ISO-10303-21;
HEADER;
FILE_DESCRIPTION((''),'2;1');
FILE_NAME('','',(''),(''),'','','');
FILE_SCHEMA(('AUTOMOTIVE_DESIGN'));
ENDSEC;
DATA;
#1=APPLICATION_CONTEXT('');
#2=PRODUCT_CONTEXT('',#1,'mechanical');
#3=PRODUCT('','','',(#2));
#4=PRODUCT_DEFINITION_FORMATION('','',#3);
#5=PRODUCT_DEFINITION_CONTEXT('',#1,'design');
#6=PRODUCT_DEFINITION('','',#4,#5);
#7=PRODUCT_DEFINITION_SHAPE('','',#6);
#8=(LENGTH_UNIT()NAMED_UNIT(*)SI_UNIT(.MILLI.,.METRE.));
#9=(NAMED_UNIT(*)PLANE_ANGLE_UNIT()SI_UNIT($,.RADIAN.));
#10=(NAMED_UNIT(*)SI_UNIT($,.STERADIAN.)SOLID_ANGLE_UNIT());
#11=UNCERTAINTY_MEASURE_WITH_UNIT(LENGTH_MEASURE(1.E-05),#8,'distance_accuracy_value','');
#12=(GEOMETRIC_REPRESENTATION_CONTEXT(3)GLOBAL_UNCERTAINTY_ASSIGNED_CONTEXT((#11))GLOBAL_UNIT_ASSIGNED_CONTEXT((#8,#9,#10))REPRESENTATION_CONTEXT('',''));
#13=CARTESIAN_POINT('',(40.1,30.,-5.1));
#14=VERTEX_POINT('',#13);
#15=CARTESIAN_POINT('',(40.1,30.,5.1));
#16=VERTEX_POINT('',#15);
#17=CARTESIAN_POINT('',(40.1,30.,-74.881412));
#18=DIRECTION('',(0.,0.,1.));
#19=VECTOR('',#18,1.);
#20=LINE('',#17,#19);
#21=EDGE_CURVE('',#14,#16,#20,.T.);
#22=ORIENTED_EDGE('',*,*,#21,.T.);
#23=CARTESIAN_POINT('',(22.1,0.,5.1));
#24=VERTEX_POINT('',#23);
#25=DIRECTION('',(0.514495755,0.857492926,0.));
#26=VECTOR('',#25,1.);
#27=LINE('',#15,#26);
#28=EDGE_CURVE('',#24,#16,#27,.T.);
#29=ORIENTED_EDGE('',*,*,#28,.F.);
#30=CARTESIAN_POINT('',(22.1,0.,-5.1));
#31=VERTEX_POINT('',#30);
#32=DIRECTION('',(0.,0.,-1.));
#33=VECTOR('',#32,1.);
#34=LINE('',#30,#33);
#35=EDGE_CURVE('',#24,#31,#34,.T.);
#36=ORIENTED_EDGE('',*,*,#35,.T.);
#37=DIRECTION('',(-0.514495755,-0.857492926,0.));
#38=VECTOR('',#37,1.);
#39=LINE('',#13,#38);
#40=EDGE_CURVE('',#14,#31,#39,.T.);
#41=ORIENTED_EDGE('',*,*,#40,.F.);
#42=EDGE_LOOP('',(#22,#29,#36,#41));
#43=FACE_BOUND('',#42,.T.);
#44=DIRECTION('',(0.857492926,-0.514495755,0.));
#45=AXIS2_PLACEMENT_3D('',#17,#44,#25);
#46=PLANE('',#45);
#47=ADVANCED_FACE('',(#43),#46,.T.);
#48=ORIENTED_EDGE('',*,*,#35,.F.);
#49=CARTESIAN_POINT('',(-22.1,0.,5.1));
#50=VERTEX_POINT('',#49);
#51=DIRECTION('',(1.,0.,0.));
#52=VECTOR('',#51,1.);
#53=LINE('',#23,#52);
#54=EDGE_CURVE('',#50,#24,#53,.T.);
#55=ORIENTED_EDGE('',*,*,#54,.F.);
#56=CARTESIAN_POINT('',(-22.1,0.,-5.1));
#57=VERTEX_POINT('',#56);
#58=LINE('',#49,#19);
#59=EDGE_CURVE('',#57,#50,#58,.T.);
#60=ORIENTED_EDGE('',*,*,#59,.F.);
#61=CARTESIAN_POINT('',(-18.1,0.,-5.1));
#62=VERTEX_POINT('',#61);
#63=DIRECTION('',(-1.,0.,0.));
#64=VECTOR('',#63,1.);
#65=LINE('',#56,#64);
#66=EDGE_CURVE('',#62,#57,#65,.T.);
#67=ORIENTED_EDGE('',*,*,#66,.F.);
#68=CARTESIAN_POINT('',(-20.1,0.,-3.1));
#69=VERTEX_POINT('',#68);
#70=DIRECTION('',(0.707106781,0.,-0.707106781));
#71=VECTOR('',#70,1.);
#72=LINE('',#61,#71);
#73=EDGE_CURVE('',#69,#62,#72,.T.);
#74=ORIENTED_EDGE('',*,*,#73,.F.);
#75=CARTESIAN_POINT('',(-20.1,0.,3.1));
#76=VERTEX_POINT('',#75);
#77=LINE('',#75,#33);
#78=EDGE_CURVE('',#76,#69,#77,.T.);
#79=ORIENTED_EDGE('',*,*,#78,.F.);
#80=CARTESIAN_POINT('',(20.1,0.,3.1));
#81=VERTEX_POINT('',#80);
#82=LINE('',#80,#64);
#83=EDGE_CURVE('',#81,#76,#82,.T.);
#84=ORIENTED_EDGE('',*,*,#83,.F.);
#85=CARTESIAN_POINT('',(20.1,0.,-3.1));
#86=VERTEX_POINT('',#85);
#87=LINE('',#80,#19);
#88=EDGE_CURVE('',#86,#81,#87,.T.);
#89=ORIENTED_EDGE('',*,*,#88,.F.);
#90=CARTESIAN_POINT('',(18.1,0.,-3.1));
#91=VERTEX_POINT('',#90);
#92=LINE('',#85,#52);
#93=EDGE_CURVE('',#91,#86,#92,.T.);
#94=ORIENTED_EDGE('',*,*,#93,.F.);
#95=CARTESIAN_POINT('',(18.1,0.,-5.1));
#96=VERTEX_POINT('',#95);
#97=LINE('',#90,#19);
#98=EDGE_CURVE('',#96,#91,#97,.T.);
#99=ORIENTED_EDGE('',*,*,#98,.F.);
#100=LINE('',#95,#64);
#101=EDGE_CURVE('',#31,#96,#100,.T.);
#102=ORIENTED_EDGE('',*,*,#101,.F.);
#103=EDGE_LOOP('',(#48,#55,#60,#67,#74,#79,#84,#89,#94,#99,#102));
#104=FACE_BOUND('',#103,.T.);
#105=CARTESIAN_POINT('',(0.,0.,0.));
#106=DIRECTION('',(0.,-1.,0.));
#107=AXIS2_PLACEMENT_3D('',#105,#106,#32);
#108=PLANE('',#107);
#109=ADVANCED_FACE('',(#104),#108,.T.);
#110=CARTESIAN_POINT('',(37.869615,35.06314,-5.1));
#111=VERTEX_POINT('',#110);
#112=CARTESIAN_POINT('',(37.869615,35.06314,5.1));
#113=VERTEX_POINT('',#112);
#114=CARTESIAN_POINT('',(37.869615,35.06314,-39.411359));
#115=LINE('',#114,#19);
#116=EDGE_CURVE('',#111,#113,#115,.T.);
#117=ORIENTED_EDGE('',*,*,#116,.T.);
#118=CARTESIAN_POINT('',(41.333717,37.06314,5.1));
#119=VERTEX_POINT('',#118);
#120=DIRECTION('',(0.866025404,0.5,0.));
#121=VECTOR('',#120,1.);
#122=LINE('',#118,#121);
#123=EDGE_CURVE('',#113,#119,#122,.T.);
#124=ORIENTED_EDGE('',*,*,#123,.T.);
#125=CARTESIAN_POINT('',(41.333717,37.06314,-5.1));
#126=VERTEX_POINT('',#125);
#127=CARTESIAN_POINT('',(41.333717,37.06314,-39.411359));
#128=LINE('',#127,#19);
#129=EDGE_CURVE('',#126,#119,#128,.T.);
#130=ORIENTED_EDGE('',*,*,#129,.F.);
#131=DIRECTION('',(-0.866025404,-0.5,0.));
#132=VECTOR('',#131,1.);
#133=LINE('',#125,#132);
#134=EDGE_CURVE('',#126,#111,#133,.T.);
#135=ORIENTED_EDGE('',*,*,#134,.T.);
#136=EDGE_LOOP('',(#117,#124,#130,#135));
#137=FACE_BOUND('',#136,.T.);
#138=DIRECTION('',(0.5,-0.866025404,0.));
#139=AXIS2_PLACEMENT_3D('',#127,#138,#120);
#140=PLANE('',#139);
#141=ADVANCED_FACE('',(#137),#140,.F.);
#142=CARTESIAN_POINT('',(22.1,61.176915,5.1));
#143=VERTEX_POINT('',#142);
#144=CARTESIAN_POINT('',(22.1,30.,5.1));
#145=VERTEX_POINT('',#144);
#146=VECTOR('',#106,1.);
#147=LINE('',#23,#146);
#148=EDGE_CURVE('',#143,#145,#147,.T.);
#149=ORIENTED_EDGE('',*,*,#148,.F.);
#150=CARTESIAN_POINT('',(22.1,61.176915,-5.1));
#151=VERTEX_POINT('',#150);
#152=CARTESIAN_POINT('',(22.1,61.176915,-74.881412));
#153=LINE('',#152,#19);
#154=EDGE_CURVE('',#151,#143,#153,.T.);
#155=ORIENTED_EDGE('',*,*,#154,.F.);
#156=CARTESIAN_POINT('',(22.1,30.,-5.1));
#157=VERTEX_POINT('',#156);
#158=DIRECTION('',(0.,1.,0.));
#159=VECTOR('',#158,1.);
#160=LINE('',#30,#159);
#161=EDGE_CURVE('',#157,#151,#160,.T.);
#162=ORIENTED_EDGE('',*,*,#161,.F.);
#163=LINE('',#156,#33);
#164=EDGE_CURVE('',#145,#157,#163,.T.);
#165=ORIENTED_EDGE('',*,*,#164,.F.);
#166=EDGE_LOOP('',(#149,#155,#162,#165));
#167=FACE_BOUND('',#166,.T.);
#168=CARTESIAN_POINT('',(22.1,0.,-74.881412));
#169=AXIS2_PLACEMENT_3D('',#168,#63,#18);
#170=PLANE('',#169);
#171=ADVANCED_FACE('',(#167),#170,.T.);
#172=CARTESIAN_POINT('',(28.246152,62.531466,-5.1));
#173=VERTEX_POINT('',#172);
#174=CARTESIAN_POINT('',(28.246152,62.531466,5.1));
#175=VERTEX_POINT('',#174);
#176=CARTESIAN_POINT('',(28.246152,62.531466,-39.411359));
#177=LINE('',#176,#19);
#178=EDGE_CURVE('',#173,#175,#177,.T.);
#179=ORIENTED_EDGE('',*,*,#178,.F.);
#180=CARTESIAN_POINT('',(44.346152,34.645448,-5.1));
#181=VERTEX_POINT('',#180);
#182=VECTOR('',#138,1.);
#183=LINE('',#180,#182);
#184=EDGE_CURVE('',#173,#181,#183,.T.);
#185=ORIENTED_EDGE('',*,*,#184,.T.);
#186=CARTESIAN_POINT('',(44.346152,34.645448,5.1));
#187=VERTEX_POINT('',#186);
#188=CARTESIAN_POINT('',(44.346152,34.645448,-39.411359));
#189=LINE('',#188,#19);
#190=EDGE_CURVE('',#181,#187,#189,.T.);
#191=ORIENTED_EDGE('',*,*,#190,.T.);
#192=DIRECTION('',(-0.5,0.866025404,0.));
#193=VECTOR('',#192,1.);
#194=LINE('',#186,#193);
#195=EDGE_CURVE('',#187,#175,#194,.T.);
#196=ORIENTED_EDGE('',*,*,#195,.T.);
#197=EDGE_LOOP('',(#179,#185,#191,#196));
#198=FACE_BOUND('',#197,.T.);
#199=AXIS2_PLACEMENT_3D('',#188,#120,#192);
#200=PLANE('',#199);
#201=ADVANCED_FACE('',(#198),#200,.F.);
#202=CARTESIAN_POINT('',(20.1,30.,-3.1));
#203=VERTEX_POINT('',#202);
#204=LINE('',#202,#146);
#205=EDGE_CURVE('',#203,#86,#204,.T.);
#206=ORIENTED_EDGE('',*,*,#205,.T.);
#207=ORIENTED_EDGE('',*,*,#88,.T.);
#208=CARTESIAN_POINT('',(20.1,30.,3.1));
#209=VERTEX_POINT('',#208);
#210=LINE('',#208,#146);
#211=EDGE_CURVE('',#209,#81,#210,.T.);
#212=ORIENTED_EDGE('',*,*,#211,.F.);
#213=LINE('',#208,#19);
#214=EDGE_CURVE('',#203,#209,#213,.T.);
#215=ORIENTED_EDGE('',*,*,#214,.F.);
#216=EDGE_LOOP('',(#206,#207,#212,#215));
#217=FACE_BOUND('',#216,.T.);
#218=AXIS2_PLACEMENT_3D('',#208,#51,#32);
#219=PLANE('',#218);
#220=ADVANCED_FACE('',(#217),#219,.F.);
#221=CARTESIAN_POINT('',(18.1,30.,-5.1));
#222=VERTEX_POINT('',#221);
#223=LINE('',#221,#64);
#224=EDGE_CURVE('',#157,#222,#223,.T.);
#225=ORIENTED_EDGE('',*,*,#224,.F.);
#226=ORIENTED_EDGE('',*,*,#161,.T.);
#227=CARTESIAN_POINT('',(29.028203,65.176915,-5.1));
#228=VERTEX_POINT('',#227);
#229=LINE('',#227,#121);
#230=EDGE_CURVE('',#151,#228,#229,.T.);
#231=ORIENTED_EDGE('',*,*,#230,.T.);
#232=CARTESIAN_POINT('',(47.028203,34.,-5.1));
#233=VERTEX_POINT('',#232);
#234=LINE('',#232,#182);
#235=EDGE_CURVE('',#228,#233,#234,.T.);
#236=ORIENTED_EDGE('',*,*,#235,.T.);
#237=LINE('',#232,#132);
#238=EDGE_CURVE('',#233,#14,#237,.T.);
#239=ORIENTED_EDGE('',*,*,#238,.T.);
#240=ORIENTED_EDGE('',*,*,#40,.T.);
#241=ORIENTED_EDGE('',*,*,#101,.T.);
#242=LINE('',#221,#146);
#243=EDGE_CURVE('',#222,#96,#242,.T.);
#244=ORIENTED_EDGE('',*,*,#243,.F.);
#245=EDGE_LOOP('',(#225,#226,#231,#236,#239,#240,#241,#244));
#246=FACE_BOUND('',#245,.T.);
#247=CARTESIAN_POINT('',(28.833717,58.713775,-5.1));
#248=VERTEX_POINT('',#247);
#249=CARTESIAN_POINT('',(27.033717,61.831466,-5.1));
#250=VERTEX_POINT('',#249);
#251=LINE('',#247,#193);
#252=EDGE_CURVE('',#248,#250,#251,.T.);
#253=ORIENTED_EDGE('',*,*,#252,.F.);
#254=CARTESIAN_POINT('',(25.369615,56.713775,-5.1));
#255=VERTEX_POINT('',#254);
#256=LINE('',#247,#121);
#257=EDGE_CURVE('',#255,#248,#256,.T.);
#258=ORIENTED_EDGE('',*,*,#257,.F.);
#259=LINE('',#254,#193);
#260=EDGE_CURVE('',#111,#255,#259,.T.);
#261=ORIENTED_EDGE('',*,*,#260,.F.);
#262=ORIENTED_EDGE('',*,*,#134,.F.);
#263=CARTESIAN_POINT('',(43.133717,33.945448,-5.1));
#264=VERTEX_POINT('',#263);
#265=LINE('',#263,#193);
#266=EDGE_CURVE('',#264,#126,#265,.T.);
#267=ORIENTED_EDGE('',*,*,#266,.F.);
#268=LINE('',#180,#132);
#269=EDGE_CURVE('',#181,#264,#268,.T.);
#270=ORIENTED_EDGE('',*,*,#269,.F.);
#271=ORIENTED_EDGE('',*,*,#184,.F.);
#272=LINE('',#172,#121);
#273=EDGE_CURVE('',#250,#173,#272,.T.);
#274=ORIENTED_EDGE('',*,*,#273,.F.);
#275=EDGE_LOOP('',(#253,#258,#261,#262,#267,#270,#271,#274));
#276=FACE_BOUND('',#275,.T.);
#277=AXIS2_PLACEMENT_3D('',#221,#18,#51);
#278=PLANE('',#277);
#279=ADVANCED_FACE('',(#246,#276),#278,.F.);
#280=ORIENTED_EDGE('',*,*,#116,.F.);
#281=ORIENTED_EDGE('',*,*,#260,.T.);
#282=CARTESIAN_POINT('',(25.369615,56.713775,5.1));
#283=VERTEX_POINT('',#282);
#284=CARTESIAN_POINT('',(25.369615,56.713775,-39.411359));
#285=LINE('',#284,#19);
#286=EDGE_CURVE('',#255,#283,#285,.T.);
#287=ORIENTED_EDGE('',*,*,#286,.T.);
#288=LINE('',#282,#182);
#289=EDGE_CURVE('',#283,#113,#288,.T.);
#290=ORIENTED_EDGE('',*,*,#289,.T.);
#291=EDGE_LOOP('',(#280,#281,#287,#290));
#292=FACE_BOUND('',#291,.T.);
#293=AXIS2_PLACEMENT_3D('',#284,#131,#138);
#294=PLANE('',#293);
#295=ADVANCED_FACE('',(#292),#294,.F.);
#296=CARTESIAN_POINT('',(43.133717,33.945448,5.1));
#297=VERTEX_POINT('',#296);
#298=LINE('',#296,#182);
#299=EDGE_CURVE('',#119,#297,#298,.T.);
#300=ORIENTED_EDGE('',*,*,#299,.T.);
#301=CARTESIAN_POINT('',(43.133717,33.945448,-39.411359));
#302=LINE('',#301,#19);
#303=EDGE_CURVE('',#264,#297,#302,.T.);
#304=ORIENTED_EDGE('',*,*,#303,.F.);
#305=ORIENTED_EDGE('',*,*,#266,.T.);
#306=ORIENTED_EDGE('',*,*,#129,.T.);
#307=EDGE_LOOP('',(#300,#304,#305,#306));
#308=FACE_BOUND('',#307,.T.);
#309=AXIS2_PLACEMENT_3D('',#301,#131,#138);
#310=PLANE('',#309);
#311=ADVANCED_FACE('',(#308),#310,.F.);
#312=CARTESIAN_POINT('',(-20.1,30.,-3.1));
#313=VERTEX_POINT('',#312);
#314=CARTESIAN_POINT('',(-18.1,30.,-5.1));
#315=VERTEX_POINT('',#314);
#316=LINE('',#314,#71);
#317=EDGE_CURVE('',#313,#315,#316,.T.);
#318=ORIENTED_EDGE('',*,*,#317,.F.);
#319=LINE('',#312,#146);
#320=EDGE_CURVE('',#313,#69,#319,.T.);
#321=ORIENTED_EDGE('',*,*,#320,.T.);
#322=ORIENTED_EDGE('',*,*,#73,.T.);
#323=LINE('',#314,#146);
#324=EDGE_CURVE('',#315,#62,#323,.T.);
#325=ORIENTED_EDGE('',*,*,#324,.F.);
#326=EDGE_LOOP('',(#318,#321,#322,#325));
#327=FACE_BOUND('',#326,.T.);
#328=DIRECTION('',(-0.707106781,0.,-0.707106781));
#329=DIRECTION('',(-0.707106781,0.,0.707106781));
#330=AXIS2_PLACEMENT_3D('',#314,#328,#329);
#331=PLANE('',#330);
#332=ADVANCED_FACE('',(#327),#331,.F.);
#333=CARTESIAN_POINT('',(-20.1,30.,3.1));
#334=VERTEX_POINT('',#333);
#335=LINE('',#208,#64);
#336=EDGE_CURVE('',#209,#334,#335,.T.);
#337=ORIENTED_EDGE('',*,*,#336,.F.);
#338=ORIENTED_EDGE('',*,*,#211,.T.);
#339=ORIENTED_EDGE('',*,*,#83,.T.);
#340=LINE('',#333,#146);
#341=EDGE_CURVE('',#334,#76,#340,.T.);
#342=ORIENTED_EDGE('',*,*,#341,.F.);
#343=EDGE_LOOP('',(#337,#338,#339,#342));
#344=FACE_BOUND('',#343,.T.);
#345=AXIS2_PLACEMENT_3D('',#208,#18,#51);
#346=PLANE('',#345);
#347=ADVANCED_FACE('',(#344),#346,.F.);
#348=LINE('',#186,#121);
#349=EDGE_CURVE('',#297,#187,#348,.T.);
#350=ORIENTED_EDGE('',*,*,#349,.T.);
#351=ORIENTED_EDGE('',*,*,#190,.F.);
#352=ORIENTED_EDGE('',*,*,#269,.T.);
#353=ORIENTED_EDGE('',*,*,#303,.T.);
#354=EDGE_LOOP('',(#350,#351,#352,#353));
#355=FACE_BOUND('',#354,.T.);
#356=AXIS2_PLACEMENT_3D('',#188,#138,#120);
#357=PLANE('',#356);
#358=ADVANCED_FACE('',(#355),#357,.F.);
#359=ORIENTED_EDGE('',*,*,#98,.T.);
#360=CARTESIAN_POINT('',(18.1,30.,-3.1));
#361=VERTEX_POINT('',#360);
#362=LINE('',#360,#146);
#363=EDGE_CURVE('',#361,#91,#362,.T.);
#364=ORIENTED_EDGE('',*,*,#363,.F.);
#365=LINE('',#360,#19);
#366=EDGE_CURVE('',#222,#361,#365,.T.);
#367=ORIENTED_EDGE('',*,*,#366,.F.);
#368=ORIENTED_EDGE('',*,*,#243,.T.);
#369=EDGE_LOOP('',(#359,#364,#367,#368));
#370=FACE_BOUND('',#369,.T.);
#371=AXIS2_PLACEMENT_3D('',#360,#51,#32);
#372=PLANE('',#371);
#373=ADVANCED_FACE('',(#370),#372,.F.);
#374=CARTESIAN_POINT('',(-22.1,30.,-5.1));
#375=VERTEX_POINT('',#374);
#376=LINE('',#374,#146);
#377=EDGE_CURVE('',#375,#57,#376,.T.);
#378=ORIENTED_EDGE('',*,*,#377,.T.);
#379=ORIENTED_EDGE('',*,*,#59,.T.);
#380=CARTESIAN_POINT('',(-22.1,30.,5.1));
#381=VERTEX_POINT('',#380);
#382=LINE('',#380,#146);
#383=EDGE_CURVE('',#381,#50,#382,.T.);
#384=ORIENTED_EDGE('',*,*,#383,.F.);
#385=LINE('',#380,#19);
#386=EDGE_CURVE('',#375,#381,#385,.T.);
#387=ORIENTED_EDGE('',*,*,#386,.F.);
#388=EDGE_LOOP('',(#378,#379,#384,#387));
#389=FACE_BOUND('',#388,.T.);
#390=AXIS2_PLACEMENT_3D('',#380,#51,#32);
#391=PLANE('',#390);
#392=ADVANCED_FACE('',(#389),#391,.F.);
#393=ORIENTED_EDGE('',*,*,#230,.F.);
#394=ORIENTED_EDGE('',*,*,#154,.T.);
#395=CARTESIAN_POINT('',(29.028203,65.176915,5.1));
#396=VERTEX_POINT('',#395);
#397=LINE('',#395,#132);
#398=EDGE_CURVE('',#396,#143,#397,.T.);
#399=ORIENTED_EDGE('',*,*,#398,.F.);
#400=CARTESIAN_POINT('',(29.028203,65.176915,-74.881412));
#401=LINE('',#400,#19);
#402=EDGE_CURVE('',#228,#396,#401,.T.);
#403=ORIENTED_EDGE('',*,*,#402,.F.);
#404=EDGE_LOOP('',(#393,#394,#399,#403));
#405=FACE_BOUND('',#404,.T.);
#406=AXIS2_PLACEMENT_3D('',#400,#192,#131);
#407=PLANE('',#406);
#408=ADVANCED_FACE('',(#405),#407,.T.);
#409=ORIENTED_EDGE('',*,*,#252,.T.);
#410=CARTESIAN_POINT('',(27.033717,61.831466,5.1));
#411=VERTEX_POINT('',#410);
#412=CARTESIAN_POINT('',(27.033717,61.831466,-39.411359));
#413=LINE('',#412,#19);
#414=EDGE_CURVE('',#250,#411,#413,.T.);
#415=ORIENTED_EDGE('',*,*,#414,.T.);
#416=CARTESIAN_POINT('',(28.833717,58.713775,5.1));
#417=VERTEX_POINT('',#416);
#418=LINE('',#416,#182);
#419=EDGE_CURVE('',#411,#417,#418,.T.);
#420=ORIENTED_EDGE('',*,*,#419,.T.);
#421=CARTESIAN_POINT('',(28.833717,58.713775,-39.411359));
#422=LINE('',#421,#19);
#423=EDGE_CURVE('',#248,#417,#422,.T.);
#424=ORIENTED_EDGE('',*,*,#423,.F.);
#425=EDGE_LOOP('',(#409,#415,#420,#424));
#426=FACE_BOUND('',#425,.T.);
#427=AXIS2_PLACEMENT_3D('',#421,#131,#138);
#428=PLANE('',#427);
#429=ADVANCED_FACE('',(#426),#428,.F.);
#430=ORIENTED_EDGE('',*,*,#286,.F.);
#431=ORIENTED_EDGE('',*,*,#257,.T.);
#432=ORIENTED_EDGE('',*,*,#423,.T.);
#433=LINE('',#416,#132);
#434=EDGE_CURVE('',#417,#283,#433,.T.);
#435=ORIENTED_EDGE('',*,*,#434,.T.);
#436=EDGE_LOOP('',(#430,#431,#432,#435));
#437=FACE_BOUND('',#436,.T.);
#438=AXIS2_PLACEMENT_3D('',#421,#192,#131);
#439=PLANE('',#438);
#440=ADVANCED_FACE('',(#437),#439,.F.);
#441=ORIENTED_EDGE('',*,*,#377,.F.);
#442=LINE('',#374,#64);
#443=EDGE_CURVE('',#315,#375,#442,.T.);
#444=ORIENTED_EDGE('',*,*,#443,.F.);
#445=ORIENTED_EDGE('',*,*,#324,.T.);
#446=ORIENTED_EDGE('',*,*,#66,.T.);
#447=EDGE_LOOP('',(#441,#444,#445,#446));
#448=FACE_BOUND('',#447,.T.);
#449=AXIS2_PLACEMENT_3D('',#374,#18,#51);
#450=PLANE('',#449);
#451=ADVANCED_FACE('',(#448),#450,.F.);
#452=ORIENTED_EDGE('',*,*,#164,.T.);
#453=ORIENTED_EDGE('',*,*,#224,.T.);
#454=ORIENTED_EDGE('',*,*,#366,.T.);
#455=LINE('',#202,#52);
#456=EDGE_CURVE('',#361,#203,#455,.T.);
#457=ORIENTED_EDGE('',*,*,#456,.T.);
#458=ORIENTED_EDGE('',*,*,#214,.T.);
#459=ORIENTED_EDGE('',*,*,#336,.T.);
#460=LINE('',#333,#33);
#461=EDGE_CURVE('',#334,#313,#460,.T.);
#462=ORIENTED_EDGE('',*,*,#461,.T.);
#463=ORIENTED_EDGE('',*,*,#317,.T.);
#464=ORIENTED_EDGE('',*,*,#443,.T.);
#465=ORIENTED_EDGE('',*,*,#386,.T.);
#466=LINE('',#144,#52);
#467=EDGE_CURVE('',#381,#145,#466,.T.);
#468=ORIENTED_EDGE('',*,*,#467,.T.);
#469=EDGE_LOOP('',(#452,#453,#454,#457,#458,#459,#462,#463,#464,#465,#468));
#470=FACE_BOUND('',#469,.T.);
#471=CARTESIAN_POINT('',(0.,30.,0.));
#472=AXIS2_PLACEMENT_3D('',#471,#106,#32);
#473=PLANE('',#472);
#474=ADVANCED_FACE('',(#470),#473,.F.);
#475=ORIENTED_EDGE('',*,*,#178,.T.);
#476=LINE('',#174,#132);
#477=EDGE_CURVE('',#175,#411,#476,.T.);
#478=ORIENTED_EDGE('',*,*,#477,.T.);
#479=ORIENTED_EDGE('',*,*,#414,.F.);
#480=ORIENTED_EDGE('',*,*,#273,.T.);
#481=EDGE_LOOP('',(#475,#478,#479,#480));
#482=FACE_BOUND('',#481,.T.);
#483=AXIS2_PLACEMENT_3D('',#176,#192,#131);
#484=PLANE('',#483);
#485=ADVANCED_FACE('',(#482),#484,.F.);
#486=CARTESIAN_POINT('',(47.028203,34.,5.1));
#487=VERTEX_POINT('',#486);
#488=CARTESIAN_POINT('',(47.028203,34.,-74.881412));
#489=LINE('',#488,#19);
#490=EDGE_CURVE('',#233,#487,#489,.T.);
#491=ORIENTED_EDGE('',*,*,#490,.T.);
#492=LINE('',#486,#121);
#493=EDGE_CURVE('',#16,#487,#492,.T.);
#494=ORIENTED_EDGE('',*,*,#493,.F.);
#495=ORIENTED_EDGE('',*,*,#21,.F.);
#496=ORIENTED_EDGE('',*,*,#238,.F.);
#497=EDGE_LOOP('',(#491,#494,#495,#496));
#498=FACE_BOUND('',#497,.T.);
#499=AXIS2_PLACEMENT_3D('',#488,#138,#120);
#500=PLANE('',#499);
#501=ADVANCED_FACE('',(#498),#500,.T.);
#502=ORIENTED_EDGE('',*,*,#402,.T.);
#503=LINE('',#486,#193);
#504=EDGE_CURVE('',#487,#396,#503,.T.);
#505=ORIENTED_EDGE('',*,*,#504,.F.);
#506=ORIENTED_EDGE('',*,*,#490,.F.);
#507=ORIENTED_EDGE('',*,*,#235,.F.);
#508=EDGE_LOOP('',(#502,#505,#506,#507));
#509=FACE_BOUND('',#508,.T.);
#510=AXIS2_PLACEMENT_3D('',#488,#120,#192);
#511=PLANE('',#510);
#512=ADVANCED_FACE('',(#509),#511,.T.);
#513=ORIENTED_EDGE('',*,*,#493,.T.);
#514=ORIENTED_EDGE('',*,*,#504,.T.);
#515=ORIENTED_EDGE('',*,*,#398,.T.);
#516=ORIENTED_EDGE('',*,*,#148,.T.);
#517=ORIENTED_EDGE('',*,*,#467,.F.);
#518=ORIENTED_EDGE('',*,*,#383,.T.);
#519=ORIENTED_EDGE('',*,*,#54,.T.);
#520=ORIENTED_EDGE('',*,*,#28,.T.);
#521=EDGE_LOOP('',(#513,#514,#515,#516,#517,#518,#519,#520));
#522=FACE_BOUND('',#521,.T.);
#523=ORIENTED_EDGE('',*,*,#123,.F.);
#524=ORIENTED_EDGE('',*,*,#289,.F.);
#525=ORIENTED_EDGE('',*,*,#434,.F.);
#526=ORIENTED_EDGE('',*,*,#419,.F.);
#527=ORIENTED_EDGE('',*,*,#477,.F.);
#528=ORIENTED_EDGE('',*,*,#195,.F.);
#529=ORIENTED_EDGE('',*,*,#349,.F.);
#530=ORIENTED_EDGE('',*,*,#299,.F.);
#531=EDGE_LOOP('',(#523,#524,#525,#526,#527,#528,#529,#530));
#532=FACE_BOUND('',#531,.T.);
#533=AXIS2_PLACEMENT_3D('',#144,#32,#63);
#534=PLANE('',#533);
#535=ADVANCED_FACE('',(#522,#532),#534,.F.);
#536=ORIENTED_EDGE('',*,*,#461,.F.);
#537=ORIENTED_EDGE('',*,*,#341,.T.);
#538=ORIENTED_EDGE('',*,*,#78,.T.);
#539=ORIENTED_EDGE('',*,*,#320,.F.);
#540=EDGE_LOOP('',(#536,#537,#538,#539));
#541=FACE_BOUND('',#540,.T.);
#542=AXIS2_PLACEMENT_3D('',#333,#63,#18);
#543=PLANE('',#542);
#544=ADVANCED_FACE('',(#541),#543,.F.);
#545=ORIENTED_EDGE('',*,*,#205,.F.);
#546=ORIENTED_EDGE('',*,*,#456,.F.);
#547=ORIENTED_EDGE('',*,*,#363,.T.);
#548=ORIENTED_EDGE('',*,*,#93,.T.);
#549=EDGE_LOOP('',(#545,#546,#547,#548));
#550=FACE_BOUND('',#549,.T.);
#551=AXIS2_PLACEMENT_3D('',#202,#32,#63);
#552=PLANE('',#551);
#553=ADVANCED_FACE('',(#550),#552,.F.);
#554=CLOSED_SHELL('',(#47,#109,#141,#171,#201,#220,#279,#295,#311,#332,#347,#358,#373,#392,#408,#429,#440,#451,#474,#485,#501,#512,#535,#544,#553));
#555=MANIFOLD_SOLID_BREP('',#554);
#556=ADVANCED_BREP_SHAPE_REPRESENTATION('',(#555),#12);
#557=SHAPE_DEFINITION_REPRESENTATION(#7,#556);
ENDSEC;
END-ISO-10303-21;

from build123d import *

# Parameters (mm, degrees)
BOSS_EXTRUDE1_DEPTH = 30
BOSS_EXTRUDE2_DEPTH = 10.2
CUT_EXTRUDE1_DEPTH  = 10.2


with BuildPart() as part:
    # Sketch1 → Boss-Extrude1 (new body)
    with BuildSketch(Plane(origin=(0, 0, 0), x_dir=(1, 0, 0), z_dir=(0, 1, 0))):
        Polygon((18.1, 3.1), (18.1, 5.1), (22.1, 5.1), (22.1, -5.1), (-22.1, -5.1), (-22.1, 5.1), (-18.1, 5.1), (-20.1, 3.1), (-20.1, -3.1), (20.1, -3.1), (20.1, 3.1), align=None)
    extrude(amount=BOSS_EXTRUDE1_DEPTH)

    # Sketch2 → Boss-Extrude2 (add)
    with BuildSketch(Plane.XY.offset(5.1)):
        Polygon((47.02820323, 34), (29.02820323, 65.176914536), (22.1, 61.176914536), (22.1, 30), (22.1, 0), (40.1, 30), align=None)
    extrude(amount=-BOSS_EXTRUDE2_DEPTH)

    # Sketch3 → Cut-Extrude1 (cut)
    with BuildSketch(Plane.XY.offset(5.1)):
        Polygon((44.346152423, 34.645448267), (28.246152423, 62.531466269), (27.033716857, 61.831466269), (28.833716857, 58.713774815), (25.369615242, 56.713774815), (37.869615242, 35.063139721), (41.333716857, 37.063139721), (43.133716857, 33.945448267), align=None)
    extrude(amount=-CUT_EXTRUDE1_DEPTH, mode=Mode.SUBTRACT)


solid = part.part
